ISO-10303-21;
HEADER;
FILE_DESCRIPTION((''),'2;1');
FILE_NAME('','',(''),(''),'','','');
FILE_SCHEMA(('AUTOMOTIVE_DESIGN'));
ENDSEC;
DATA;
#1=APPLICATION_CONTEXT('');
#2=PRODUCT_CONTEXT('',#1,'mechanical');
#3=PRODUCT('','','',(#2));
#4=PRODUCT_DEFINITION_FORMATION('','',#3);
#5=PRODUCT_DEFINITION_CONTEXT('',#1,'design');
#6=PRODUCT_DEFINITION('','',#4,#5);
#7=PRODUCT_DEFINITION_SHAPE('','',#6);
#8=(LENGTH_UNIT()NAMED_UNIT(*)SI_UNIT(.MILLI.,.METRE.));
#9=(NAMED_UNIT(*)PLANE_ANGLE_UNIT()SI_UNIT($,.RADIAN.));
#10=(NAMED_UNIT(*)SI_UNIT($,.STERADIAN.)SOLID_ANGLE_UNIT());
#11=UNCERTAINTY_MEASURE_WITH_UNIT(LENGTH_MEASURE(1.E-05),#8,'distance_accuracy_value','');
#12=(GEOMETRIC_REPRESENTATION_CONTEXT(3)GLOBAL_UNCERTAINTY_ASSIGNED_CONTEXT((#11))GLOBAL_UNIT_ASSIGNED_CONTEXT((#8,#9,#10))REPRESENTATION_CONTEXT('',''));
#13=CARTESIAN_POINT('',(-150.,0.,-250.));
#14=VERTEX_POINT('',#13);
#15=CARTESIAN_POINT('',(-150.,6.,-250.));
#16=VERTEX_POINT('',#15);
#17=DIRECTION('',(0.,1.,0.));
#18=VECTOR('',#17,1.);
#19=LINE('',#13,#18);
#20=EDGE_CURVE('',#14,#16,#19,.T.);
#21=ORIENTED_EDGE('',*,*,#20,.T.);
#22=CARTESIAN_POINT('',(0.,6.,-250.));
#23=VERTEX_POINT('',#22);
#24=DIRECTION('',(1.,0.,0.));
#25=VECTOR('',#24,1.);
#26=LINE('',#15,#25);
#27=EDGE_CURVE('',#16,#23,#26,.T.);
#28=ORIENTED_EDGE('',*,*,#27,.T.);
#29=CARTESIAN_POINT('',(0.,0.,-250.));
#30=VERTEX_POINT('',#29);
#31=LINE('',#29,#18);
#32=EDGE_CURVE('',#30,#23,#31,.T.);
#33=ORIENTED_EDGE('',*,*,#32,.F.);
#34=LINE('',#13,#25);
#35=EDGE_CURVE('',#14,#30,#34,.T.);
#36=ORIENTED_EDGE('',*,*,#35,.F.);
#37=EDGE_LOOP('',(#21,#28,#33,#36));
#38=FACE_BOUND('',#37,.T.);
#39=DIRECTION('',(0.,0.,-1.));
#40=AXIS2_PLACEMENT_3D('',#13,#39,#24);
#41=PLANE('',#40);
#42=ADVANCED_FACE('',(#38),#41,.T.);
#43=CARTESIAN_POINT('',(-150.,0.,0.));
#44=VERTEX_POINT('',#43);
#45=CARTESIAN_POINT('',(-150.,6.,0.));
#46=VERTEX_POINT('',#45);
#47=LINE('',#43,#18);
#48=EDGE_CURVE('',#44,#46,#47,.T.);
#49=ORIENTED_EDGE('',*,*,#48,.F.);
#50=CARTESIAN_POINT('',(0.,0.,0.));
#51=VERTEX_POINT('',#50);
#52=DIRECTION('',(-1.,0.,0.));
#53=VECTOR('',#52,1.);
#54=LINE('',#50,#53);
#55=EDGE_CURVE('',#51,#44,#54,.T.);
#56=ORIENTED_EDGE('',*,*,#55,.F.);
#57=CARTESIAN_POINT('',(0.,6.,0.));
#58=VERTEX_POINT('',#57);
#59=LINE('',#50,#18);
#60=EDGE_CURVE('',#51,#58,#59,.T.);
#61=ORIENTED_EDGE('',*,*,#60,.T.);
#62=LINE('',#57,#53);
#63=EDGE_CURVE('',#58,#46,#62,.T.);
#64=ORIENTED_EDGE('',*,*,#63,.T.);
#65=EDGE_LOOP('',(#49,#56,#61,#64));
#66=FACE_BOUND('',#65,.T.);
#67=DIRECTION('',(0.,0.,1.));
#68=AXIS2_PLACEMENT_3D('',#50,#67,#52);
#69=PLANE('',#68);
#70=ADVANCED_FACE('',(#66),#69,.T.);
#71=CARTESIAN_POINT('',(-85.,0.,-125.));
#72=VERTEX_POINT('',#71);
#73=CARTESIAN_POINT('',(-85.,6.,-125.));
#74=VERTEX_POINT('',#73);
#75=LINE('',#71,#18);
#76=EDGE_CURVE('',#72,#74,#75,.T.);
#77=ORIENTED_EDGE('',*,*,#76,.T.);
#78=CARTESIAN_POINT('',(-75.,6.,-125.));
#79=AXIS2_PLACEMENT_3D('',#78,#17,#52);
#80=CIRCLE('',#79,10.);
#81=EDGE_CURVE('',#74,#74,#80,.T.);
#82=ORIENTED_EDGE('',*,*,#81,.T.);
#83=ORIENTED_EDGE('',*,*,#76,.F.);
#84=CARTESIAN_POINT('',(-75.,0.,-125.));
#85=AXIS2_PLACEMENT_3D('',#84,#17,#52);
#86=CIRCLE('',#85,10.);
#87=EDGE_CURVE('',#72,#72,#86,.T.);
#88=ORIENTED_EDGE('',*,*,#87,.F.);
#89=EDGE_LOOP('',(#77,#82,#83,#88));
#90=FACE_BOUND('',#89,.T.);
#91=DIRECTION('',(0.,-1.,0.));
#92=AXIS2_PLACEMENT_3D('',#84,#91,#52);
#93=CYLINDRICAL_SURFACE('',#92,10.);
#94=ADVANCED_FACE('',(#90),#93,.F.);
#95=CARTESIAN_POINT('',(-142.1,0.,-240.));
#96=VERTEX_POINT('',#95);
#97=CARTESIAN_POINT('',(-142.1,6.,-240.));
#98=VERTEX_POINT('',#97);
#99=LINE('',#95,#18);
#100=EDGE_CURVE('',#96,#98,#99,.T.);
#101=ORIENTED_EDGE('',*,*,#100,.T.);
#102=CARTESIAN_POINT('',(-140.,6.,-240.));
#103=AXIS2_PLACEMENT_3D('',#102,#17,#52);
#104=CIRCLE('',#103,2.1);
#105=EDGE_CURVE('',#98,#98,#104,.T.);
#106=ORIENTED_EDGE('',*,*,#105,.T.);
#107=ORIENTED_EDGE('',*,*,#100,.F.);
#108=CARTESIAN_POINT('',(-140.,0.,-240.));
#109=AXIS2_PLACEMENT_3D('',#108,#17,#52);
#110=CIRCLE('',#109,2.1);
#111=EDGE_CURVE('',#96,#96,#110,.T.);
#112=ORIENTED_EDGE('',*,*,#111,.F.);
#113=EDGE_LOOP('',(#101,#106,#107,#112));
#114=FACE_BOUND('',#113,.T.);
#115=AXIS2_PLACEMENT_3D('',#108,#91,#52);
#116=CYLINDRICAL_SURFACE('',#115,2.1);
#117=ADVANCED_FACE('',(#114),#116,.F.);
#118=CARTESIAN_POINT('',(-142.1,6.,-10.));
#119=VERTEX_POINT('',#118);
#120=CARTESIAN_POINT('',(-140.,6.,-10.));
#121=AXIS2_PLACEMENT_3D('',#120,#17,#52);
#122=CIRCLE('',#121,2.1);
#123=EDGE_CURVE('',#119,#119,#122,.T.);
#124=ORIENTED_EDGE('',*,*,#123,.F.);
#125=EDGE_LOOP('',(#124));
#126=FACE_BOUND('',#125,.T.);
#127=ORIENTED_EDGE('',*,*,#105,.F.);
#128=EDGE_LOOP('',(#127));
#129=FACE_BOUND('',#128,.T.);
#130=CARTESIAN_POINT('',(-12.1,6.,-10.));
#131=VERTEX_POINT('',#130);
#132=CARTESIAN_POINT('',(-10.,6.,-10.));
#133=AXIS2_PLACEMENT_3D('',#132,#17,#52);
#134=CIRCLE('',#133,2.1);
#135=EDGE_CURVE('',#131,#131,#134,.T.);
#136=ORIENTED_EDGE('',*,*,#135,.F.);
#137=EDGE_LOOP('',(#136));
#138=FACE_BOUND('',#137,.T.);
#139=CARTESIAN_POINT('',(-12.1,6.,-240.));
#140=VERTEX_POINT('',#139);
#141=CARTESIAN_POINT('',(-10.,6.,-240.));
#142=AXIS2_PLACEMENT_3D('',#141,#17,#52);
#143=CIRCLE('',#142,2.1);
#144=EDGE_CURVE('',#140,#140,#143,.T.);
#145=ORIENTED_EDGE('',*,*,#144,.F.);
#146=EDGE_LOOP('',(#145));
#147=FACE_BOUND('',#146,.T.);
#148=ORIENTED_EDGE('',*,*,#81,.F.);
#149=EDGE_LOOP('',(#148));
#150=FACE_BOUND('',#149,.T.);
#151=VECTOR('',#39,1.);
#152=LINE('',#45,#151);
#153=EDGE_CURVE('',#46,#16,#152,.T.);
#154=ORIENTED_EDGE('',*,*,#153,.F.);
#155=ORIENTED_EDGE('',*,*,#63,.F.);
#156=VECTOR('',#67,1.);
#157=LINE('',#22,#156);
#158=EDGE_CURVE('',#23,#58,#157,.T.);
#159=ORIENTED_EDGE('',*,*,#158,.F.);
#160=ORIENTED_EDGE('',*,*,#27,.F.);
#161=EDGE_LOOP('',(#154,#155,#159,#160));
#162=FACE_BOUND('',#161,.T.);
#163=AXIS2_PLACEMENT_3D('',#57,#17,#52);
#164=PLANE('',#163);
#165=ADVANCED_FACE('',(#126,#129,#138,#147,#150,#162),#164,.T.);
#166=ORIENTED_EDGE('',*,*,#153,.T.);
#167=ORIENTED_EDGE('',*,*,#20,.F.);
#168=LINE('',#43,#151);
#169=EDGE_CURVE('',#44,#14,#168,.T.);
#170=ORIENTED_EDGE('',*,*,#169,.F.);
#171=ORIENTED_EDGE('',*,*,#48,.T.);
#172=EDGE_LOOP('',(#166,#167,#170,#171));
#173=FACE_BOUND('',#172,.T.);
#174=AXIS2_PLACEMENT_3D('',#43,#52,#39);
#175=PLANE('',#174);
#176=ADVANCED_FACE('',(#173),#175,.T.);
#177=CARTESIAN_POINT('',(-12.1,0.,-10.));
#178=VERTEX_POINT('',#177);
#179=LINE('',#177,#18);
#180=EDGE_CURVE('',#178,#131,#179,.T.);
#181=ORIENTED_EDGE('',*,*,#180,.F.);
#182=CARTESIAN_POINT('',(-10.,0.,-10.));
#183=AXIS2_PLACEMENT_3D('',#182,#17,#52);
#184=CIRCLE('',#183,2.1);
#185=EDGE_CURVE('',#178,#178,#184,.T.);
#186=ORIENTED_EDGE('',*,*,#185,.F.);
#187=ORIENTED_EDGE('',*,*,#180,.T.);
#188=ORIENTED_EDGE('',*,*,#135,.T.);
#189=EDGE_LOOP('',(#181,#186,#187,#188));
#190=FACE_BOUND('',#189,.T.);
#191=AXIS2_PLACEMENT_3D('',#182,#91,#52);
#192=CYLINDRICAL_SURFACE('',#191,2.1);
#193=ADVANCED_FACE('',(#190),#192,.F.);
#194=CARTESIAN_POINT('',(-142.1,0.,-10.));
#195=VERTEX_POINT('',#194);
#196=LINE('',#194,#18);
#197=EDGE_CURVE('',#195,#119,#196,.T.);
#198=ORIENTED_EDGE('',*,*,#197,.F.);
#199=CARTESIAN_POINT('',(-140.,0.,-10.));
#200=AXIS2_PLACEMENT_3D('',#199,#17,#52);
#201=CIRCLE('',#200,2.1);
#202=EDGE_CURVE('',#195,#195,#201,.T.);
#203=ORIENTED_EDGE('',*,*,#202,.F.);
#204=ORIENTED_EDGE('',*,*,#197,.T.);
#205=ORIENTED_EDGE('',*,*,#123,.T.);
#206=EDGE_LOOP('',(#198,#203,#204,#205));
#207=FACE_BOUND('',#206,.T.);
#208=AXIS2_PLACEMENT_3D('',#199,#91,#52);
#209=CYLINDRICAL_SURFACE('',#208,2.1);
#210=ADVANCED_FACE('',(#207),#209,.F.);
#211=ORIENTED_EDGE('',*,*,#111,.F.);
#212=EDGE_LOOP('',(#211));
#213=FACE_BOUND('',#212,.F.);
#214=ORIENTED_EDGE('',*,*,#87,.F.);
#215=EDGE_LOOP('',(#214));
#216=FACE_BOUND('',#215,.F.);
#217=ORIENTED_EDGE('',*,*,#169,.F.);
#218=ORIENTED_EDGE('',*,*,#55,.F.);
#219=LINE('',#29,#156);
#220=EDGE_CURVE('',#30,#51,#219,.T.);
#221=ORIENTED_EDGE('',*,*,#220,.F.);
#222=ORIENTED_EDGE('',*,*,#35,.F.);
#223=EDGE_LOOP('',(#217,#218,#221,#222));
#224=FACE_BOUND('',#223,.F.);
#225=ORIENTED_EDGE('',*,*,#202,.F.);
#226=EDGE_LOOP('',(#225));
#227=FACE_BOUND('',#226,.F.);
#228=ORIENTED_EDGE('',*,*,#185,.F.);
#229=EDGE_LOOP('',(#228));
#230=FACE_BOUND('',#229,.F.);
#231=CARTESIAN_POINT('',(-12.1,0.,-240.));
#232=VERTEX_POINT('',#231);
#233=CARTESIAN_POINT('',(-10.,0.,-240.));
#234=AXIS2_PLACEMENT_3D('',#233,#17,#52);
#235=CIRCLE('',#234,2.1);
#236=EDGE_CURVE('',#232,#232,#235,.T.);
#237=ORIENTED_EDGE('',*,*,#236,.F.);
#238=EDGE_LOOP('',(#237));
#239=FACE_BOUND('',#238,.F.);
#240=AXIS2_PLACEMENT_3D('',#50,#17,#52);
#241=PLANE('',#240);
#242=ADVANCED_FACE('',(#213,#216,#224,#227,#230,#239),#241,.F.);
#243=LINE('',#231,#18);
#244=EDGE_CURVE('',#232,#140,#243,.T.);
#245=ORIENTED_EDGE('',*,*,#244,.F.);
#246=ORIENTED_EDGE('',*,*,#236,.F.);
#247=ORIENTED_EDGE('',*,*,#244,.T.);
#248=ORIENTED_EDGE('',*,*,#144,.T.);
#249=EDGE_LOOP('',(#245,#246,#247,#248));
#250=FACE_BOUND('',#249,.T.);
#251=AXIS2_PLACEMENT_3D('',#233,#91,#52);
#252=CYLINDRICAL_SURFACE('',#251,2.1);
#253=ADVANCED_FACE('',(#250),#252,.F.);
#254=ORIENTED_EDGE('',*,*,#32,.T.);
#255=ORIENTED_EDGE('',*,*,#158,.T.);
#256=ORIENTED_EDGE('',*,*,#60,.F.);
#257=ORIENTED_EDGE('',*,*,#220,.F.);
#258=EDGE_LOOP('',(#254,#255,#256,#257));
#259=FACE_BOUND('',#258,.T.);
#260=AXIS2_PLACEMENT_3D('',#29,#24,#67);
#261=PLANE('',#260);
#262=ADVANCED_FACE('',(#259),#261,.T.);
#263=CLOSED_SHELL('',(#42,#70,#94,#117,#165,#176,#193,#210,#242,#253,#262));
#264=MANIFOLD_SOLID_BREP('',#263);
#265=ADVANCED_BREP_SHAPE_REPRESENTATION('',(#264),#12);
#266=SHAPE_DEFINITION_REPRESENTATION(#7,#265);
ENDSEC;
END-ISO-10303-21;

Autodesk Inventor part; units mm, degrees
ref_plane "YZ Plane" through (0, 0, 0) normal (1, 0, 0) x (0, 1, 0)
ref_plane "XZ Plane" through (0, 0, 0) normal (0, 1, 0) x (-1, 0, 0)
ref_plane "XY Plane" through (0, 0, 0) normal (0, 0, 1) x (1, 0, 0)
sketch "Esquisse1" plane through (0, 0, 0) normal (0, 1, 0) x (-1, 0, 0)
  line L0 (0, 0) -> (150, 0)
  line L1 (150, 0) -> (150, -250)
  line L2 (150, -250) -> (0, -250)
  line L3 (0, -250) -> (0, 0)
  line L4 (0, 0) -> (150, -250) construction
  line L5 (0, -250) -> (150, 0) construction
  circle A0 centre (75, -125) radius 10
  circle A1 centre (140, -10) radius 2.1
  line L6 (140, -10) -> (150, -10) construction
  line L7 (140, -10) -> (140, 0) construction
  line L8 (0, -125) -> (150, -125) construction
  line L9 (75, 0) -> (75, -250) construction
  circle A2 centre (10, -10) radius 2.1
  circle A3 centre (140, -240) radius 2.1
  circle A4 centre (10, -240) radius 2.1
  dimension "d0" = 150
  dimension "d1" = 250
  dimension "d2" = 20
  dimension "d5" = 4.2
  dimension "d7" = 10
extrude "Extrusion1" add sketch "Esquisse1" along normal blind 6
properties part number "top" material "Bois (cerisier)"
